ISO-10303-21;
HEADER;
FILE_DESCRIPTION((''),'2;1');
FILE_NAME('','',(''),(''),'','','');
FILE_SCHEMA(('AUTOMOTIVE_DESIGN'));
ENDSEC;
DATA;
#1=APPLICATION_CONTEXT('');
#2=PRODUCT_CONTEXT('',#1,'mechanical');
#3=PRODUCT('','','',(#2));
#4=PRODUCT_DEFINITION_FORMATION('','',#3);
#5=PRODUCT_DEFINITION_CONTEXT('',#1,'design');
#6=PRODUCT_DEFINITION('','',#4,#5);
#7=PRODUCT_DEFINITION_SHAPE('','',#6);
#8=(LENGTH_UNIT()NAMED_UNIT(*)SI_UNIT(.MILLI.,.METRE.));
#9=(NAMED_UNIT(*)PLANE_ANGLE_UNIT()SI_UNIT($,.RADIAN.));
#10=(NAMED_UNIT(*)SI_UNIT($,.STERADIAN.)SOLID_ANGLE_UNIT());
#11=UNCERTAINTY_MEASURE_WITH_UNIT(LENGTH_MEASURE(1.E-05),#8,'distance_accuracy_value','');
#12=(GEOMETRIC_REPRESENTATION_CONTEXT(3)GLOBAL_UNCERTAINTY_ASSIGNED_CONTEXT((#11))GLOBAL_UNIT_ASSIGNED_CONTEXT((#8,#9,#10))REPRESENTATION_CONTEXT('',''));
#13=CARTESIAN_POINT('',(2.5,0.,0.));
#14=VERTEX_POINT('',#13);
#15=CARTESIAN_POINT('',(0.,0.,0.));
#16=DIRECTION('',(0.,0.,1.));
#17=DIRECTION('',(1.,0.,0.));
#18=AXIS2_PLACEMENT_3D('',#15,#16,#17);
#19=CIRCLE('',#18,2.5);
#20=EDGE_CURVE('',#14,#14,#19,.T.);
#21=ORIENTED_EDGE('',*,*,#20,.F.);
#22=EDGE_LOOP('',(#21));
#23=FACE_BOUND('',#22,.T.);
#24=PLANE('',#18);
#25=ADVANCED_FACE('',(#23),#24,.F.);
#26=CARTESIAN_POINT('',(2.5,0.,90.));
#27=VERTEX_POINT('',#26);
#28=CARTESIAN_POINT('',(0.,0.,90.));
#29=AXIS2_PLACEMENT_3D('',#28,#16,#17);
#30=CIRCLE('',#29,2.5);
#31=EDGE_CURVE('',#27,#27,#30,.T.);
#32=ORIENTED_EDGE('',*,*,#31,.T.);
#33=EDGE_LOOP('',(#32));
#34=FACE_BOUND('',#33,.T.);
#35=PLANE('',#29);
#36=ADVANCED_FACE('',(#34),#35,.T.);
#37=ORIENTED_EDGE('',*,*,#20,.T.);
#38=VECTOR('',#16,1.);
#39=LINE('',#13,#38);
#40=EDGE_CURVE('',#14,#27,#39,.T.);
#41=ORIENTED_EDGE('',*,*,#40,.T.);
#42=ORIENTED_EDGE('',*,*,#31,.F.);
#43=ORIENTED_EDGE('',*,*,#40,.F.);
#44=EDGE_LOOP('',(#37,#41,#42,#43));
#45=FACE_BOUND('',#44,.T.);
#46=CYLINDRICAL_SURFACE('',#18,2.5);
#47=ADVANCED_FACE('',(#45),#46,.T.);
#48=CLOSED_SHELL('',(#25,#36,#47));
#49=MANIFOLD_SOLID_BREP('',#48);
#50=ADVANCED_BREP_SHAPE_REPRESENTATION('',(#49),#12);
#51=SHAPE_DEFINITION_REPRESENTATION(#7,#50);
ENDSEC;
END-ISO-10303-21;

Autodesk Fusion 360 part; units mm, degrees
cylinder "CilindroPrimitivo1" add diameter 5 height 90 placed x (1, 0, 0) y (0, 1, 0) z (0, 0, 1) at (0, 0, 0)
